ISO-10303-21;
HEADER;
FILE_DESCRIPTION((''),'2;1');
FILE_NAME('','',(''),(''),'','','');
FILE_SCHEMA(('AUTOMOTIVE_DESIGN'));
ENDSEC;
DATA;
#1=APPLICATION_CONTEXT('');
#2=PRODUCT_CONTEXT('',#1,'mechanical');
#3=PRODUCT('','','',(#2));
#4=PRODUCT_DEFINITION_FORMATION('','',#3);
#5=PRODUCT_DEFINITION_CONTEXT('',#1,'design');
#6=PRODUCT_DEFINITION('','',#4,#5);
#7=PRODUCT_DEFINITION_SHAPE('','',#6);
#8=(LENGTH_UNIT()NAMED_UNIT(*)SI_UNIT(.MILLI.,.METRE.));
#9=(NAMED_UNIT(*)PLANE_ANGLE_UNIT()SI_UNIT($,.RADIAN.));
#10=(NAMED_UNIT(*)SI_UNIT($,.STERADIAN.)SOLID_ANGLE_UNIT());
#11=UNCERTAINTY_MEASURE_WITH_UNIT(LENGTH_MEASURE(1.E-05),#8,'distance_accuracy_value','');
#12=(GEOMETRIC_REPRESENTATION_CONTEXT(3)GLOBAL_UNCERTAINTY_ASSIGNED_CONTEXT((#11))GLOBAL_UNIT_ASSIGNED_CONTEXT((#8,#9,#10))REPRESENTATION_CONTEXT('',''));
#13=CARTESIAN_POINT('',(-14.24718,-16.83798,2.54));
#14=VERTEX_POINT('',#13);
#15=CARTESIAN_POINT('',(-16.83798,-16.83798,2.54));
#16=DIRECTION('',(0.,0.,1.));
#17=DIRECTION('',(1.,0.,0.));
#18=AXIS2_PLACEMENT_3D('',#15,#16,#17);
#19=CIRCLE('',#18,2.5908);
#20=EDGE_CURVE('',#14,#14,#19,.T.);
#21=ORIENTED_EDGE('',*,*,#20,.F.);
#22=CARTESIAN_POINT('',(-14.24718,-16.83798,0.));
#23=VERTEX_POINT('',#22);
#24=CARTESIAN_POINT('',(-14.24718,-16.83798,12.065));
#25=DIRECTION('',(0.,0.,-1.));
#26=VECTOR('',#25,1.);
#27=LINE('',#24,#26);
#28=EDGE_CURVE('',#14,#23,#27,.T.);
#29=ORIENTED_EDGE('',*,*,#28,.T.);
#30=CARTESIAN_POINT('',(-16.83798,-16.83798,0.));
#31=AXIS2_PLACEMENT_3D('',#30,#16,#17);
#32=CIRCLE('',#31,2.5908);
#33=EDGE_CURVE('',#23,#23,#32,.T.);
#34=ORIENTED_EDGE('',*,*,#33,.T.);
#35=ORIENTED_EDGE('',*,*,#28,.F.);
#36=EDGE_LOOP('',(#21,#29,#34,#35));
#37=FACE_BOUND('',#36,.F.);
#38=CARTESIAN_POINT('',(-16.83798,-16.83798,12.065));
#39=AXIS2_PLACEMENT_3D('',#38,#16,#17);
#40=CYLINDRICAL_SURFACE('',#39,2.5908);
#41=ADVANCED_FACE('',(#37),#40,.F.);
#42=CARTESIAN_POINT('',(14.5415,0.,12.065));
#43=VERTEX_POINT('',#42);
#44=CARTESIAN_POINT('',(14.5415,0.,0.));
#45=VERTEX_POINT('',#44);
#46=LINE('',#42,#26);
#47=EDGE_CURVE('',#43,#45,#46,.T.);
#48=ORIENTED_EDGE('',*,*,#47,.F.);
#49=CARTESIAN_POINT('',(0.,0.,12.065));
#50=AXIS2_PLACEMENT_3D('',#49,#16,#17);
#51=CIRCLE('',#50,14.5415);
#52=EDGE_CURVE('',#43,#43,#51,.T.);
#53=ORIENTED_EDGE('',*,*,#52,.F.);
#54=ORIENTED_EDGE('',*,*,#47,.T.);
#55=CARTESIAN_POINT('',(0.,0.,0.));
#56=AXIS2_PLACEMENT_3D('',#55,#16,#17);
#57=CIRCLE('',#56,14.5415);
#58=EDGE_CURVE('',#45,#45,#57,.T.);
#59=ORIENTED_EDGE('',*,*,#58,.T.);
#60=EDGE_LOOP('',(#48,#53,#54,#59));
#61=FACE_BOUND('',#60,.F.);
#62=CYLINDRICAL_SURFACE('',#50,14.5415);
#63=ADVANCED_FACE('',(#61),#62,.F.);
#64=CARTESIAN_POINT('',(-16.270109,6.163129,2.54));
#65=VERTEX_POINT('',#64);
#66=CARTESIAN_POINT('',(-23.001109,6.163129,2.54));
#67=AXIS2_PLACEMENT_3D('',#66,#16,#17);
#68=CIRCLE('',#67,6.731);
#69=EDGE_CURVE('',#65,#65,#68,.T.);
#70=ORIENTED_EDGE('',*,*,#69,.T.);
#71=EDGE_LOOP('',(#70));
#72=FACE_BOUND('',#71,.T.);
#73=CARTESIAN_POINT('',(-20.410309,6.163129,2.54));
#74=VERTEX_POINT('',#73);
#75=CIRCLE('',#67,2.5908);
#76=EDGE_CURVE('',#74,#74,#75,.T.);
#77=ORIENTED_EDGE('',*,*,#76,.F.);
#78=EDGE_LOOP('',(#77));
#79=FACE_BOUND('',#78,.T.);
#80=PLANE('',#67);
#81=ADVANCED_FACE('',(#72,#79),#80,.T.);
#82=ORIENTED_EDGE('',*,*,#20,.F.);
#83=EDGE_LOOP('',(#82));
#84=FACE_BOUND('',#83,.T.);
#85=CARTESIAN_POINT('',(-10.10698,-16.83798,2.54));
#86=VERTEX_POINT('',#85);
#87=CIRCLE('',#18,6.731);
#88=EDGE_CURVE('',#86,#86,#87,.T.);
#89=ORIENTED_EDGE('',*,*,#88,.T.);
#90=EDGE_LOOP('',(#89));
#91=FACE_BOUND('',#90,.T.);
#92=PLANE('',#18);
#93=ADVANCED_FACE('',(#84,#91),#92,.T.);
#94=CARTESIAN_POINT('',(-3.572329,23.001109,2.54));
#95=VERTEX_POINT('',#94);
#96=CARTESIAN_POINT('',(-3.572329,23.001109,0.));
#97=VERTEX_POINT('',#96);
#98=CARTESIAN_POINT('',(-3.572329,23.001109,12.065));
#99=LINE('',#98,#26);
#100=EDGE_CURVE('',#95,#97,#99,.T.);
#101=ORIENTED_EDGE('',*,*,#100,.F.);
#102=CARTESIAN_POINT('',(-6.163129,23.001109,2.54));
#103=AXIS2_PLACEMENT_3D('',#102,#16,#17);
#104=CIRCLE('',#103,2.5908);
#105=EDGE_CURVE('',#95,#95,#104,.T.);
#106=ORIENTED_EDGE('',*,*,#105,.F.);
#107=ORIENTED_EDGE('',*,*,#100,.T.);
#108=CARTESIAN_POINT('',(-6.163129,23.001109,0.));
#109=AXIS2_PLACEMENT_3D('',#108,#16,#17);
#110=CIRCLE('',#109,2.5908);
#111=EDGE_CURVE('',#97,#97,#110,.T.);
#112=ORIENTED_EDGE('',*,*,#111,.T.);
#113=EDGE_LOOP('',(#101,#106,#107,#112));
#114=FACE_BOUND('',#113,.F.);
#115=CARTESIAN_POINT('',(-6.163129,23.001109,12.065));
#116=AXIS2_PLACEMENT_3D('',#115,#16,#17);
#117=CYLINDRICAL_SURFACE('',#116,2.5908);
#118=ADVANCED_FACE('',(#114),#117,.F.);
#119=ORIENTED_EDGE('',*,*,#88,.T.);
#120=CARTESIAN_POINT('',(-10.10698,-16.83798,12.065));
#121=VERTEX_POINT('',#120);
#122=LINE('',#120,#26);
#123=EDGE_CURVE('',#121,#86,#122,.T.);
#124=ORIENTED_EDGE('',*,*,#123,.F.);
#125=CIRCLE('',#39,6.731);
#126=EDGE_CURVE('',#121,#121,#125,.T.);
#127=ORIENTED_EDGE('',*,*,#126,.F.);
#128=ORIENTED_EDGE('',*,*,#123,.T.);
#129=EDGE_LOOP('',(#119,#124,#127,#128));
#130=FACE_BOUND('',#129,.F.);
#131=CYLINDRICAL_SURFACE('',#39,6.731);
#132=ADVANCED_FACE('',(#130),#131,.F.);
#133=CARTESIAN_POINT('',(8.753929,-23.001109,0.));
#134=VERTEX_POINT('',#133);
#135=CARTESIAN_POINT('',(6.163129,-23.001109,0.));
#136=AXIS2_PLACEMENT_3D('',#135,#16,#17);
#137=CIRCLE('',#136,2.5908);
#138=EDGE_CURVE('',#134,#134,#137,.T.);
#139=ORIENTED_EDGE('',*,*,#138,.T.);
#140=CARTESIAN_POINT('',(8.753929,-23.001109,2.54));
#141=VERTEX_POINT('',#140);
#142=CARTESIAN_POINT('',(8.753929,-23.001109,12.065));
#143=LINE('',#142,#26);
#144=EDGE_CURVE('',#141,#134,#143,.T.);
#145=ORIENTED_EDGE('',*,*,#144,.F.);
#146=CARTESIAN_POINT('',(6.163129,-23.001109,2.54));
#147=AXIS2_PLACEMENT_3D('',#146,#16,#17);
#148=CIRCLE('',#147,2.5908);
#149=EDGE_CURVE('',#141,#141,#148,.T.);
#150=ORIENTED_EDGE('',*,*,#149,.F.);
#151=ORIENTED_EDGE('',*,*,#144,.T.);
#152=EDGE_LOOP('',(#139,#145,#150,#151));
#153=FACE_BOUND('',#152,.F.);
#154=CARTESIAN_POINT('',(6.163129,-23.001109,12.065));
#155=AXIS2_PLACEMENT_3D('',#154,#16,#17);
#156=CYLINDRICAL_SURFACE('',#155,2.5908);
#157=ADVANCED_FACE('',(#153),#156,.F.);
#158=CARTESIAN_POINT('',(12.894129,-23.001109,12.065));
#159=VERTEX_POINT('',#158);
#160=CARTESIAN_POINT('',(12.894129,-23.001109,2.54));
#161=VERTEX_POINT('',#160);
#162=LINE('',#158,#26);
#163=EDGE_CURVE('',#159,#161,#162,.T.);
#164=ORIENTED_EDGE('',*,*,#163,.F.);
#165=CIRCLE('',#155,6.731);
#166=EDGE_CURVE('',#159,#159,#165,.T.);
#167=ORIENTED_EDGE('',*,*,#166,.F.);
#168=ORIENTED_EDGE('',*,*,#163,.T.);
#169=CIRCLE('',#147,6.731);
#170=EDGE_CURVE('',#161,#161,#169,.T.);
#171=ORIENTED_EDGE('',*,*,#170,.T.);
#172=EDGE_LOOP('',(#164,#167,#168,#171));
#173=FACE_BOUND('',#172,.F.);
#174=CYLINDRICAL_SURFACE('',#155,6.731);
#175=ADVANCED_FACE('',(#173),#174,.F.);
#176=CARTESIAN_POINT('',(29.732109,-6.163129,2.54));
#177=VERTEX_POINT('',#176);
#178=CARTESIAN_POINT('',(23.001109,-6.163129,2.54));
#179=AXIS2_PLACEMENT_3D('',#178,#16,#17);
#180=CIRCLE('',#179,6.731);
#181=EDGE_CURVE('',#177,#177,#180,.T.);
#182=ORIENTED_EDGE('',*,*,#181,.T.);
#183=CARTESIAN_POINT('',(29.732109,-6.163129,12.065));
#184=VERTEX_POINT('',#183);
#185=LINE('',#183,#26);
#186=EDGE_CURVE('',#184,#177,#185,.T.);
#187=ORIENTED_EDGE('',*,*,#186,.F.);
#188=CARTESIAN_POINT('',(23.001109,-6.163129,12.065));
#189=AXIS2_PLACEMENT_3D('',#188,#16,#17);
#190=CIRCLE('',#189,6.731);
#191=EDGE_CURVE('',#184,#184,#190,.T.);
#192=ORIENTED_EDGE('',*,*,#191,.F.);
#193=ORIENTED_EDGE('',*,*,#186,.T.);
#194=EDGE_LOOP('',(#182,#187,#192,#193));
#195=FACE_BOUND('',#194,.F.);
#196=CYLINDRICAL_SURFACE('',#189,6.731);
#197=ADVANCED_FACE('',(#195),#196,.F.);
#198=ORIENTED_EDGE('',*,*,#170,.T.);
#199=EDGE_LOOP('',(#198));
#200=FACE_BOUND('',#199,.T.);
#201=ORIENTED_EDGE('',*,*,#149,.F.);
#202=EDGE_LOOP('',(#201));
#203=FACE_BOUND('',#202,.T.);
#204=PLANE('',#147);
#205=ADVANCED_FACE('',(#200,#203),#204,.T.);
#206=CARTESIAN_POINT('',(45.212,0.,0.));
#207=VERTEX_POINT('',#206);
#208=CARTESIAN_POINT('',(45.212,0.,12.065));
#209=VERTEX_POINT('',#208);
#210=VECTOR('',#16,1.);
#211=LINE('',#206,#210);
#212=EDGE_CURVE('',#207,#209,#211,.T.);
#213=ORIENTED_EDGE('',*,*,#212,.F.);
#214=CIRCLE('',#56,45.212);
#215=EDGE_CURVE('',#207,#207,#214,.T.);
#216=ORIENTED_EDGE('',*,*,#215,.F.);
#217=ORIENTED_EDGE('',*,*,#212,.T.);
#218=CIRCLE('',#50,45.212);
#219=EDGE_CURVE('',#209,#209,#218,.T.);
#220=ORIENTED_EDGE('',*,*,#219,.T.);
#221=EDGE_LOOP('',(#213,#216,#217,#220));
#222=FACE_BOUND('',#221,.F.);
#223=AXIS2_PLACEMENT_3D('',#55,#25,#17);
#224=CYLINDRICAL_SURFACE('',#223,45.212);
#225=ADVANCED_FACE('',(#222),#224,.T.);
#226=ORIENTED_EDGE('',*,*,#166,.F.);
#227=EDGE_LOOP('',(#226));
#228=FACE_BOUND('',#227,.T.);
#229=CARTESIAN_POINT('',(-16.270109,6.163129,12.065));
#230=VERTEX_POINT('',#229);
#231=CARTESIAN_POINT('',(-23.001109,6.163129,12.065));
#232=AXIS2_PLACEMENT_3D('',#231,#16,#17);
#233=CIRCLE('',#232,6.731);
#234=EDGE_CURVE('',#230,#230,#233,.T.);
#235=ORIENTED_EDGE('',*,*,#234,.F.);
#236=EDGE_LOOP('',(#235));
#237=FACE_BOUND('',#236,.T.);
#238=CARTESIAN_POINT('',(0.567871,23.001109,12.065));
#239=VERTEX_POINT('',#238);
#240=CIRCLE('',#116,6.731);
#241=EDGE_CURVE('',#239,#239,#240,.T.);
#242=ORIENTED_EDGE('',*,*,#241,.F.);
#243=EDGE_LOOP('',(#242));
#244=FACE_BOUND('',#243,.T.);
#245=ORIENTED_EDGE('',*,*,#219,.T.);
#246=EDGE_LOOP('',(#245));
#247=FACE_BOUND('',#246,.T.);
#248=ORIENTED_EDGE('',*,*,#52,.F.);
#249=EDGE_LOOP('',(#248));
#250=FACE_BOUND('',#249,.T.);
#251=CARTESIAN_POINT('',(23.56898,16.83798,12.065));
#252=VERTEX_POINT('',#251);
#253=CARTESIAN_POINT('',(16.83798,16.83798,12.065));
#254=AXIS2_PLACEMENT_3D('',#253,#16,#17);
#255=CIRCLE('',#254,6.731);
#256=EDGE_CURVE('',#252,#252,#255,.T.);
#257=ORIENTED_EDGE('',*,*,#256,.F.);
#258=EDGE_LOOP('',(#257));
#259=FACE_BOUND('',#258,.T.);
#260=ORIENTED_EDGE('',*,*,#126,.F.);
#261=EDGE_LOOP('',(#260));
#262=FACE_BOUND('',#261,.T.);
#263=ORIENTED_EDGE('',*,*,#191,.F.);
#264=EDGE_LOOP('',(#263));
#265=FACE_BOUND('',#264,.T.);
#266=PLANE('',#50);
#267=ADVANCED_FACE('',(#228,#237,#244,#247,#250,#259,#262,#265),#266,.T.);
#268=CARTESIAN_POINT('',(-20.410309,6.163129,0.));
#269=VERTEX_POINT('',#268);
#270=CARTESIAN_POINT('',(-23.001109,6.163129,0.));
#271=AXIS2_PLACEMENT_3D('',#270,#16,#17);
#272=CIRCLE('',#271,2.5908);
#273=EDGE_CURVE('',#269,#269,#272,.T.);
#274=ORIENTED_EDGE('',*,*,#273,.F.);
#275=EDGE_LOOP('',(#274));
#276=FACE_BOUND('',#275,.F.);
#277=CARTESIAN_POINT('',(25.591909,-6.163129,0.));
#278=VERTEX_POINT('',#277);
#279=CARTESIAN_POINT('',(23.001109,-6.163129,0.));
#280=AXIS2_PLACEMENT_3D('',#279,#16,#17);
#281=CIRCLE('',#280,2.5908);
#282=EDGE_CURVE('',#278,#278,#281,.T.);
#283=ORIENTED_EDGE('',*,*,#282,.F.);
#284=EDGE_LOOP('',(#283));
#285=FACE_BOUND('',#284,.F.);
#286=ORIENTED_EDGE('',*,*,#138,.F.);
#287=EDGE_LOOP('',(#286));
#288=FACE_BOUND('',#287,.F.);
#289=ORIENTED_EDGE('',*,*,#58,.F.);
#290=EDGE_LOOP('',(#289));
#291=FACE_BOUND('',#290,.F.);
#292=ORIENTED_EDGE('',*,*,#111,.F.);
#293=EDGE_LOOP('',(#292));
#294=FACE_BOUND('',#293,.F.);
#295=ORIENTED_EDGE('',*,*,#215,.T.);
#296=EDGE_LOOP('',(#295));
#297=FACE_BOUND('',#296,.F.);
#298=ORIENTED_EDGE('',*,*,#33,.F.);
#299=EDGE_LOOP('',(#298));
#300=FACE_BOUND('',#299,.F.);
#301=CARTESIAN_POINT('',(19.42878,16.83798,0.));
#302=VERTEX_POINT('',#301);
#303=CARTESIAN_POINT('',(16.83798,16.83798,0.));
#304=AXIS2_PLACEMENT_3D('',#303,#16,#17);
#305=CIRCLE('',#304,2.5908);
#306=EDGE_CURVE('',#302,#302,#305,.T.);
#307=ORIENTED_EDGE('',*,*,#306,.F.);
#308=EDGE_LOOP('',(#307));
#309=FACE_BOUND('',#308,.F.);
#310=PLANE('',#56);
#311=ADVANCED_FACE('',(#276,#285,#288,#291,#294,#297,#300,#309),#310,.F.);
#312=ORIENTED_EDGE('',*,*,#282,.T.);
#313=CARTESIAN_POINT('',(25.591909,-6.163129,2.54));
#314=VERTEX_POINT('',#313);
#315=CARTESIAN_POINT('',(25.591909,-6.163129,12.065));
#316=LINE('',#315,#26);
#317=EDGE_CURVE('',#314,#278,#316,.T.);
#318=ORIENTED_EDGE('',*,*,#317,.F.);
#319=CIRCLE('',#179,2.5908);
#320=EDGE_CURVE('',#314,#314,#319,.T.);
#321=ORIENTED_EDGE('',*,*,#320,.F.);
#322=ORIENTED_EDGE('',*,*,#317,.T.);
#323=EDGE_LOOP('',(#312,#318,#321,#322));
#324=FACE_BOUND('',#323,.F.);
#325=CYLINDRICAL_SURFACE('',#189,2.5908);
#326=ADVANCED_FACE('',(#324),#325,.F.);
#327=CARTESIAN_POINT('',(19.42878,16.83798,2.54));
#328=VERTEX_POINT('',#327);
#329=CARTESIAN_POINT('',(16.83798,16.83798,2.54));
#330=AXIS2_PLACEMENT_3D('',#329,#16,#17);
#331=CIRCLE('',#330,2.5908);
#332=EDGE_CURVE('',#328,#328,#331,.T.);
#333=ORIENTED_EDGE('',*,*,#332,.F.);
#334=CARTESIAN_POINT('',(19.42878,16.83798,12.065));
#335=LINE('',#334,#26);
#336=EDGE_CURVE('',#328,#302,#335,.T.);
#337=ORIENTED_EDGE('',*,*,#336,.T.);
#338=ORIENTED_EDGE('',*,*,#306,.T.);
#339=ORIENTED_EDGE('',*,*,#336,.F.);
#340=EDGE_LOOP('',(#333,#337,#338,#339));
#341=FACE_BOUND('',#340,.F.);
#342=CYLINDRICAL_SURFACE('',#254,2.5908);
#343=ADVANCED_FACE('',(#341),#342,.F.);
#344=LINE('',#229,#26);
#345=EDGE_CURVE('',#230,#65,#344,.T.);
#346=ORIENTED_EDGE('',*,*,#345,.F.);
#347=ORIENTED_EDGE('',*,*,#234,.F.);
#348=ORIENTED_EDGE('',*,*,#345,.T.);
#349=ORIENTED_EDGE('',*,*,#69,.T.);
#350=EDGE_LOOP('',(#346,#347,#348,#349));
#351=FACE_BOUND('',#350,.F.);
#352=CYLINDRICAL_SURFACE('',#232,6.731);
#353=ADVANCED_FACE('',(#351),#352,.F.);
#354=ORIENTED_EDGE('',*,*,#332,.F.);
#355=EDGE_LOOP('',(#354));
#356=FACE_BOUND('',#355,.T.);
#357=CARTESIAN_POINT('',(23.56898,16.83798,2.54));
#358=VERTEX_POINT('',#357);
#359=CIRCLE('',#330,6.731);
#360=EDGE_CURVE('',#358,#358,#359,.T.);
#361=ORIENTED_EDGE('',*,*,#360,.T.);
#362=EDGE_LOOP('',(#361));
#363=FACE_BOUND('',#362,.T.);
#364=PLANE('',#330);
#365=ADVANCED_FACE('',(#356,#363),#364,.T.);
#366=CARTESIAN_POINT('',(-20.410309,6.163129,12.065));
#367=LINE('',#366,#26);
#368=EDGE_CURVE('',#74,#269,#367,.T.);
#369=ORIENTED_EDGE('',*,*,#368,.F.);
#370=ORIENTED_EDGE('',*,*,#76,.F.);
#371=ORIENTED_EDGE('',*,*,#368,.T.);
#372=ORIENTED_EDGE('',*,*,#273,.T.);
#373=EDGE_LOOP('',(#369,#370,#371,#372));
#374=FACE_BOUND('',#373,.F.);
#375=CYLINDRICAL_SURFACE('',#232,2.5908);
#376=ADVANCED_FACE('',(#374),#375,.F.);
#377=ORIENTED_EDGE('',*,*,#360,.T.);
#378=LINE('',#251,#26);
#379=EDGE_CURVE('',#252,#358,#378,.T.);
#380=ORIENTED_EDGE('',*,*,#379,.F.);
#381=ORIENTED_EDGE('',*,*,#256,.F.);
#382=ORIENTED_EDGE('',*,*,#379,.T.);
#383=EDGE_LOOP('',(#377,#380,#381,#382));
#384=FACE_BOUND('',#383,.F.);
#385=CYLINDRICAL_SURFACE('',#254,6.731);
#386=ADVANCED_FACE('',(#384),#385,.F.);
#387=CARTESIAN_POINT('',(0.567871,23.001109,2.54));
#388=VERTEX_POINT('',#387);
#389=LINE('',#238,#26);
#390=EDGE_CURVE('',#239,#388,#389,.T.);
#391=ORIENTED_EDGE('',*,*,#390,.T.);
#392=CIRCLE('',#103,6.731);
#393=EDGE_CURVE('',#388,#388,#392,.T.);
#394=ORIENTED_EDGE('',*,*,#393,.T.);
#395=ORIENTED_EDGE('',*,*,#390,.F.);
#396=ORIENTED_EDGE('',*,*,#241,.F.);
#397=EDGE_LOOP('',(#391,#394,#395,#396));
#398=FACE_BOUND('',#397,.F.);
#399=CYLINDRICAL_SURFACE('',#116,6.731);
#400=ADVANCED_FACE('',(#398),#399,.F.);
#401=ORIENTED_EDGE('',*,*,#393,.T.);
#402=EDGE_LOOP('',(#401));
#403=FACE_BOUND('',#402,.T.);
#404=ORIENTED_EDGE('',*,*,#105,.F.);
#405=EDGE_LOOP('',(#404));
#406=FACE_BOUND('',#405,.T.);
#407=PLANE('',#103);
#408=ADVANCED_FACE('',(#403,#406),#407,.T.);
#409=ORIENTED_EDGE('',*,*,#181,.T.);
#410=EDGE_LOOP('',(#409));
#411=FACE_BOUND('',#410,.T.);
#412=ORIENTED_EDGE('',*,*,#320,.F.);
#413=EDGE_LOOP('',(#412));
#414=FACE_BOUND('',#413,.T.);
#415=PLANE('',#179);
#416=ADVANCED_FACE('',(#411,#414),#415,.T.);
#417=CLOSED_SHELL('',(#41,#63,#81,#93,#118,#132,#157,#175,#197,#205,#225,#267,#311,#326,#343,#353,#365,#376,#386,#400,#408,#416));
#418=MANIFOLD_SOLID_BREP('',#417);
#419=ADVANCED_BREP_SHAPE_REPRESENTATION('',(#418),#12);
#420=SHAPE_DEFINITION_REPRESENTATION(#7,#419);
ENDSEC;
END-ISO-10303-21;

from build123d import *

# Parameters (mm, degrees)
F0_R     = 45.212
F1_DEPTH = 12.065
F2_R     = 2.5908
F3_DEPTH = 25.4
F4_R     = 14.5415
F5_DEPTH = 25.4
F6_R     = 6.731
F7_DEPTH = 9.525


with BuildPart() as f1:
    # F0 (on Top) → F1 (new body)
    with BuildSketch(Plane.XY):
        Circle(F0_R)
    extrude(amount=F1_DEPTH)

    # F2 (on face) → F3 (cut)
    with BuildSketch(Plane.XY.offset(12.065)):
        with Locations((-6.163129, 23.001109)):
            Circle(F2_R)
        with Locations((-23.001109, 6.163129)):
            Circle(F2_R)
        with Locations((-16.83798, -16.83798)):
            Circle(F2_R)
        with Locations((6.163129, -23.001109)):
            Circle(F2_R)
        with Locations((23.001109, -6.163129)):
            Circle(F2_R)
        with Locations((16.83798, 16.83798)):
            Circle(F2_R)
    extrude(amount=-F3_DEPTH, mode=Mode.SUBTRACT)

    # F4 (on face) → F5 (cut)
    with BuildSketch(Plane.XY.offset(12.065)):
        Circle(F4_R)
    extrude(amount=-F5_DEPTH, mode=Mode.SUBTRACT)

    # F6 (on face) → F7 (cut)
    with BuildSketch(Plane.XY.offset(12.065)):
        with Locations((-6.163129, 23.001109)):
            Circle(F6_R)
        with Locations((16.83798, 16.83798)):
            Circle(F6_R)
        with Locations((23.001109, -6.163129)):
            Circle(F6_R)
        with Locations((6.163129, -23.001109)):
            Circle(F6_R)
        with Locations((-16.83798, -16.83798)):
            Circle(F6_R)
        with Locations((-23.001109, 6.163129)):
            Circle(F6_R)
    extrude(amount=-F7_DEPTH, mode=Mode.SUBTRACT)


solid = f1.part
